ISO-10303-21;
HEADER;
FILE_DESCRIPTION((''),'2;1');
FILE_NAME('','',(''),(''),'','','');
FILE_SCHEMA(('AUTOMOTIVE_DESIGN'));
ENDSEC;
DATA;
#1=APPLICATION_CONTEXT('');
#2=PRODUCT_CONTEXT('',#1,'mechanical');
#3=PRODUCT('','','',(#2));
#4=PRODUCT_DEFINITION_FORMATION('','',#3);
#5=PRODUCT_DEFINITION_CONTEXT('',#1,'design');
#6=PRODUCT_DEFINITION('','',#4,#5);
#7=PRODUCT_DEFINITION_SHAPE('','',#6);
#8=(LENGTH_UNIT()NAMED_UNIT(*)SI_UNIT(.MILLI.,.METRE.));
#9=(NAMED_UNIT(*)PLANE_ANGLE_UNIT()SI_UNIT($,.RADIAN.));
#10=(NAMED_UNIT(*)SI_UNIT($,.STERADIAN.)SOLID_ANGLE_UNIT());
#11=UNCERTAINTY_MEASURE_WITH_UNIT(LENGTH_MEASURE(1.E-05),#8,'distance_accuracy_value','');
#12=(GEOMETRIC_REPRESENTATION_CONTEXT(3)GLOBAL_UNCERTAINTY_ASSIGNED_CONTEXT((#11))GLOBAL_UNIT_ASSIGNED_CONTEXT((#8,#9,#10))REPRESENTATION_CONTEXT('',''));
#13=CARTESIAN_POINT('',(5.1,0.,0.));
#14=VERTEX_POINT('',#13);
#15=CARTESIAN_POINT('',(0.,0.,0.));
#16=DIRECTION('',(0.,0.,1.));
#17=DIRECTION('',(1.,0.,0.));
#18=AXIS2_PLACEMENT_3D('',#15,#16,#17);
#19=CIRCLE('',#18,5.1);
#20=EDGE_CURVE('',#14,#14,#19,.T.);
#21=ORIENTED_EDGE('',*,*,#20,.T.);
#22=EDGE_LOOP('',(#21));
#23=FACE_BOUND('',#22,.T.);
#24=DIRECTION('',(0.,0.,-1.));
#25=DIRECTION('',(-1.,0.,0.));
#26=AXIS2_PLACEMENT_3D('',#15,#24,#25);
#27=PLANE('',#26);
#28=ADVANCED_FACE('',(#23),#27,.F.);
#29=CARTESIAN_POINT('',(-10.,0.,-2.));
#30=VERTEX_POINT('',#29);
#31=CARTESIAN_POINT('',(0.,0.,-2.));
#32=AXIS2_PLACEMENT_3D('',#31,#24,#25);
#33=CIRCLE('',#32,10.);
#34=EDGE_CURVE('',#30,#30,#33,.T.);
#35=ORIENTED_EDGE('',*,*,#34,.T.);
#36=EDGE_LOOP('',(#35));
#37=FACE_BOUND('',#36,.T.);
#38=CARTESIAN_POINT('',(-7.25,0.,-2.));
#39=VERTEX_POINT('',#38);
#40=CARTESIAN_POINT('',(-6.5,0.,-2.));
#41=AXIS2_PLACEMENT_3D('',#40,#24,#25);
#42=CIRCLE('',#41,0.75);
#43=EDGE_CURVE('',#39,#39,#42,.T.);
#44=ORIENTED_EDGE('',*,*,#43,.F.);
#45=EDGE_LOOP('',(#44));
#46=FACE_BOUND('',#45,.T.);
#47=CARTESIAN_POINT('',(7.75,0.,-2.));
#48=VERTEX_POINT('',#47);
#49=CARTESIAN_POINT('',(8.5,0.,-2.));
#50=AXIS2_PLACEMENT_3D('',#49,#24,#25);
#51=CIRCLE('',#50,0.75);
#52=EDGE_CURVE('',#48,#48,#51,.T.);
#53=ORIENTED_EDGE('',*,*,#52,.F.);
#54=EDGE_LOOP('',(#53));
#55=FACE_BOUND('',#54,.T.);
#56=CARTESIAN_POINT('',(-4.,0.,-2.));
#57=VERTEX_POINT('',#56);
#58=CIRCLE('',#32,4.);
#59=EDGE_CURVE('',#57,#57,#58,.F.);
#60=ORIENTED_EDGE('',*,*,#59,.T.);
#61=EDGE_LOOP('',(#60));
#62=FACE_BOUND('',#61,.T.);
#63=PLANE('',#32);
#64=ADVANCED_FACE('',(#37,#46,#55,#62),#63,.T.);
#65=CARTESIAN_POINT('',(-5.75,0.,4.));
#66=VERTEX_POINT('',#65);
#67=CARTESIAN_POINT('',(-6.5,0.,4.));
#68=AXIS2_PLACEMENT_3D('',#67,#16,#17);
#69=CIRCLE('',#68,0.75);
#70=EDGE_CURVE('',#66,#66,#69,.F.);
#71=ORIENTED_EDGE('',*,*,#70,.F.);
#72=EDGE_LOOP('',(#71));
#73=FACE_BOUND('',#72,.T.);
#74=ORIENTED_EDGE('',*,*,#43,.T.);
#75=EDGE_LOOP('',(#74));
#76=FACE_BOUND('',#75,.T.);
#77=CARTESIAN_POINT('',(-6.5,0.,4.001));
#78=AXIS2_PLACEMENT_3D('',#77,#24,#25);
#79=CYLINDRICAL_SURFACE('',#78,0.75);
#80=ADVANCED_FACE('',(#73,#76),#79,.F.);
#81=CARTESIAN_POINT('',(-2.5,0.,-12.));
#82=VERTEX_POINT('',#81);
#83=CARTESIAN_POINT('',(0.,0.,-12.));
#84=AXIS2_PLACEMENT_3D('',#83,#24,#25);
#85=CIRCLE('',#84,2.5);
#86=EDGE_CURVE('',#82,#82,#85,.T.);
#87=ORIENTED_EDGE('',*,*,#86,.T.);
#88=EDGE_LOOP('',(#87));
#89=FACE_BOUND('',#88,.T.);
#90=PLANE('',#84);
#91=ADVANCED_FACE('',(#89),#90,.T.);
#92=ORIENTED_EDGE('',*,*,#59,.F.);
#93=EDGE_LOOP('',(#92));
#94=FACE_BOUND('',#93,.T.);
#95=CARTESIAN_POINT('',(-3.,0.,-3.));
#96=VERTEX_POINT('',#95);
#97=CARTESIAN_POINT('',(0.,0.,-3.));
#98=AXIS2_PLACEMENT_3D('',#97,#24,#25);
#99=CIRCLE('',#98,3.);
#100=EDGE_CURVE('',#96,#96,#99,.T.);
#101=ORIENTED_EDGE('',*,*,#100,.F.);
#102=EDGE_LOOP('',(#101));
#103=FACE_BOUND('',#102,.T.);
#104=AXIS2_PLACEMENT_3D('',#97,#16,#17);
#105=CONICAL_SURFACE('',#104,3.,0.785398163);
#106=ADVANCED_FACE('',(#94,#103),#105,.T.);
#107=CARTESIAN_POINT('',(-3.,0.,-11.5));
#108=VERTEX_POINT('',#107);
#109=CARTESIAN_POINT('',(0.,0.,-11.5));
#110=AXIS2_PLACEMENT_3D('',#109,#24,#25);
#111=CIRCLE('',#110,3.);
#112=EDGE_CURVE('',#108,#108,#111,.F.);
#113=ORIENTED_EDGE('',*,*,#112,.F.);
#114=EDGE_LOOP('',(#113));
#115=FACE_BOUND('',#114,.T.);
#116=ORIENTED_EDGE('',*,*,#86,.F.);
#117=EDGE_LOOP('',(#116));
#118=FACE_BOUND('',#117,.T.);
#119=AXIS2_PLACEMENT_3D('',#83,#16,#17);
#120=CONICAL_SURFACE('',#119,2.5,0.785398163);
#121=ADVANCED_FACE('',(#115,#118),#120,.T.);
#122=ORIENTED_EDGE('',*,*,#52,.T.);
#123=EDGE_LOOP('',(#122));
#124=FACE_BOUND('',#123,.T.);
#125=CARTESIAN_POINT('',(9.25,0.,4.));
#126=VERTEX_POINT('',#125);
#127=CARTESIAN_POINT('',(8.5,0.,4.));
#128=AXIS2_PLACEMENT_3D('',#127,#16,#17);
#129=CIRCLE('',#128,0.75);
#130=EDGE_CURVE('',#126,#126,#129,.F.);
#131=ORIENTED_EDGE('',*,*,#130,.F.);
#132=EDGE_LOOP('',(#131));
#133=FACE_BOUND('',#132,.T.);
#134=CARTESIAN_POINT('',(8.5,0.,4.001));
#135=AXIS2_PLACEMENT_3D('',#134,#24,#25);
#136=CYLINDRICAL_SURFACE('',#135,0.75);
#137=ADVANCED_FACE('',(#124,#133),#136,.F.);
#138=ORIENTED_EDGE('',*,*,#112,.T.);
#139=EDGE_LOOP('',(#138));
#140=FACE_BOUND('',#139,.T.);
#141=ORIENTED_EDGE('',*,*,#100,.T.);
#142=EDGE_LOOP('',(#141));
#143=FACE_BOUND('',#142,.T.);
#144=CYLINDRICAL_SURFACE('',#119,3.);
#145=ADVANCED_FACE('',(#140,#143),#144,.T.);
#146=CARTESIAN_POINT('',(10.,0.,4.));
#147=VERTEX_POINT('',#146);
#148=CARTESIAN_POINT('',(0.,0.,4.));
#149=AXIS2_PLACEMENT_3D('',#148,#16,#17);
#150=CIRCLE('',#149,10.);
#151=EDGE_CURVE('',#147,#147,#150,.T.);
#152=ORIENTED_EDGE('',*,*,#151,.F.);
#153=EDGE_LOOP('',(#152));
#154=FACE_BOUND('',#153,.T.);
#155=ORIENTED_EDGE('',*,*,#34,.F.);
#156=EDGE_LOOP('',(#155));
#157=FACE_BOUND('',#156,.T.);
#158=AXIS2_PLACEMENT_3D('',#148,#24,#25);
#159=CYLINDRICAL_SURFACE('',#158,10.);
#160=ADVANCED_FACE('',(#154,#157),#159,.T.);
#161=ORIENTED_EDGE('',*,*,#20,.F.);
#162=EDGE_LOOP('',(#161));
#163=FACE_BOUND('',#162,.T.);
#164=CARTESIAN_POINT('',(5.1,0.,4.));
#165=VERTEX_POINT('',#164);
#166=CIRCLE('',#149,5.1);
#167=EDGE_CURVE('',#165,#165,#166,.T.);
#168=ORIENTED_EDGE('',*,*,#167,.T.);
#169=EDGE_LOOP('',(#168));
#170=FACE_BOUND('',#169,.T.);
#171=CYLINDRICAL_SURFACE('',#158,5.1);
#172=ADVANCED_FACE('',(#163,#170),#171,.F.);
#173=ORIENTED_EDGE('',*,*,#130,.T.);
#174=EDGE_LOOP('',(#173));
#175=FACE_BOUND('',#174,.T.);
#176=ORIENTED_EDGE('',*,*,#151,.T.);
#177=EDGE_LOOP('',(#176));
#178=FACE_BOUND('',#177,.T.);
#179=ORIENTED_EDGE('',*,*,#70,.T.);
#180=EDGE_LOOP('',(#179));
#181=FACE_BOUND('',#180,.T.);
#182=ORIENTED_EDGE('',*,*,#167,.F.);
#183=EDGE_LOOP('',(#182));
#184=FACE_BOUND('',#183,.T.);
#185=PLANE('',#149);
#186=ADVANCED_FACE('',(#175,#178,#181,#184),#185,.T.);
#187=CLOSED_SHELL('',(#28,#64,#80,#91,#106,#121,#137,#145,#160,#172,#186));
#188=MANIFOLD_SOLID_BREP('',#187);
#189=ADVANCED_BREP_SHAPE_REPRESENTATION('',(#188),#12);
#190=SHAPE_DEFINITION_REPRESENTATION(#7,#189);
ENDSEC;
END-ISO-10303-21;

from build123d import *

# Parameters (mm, degrees)
SKETCH1_R           = 10
SKETCH1_R_2         = 5.1
BOSS_EXTRUDE1_DEPTH = 4
SKETCH3_R           = 3
BOSS_EXTRUDE2_DEPTH = 12
SKETCH4_R           = 10
SKETCH4_R_2         = 3
BOSS_EXTRUDE3_DEPTH = 2
CHAMFER2_SIZE       = 1
CHAMFER4_SIZE       = 0.5
CUT_EXTRUDE1_REACH  = 8
SKETCH5_R           = 0.75


with BuildPart() as part:
    # Sketch1 → Boss-Extrude1 (new body)
    with BuildSketch(Plane.XY):
        Circle(SKETCH1_R)
        Circle(SKETCH1_R_2, mode=Mode.SUBTRACT)
    extrude(amount=BOSS_EXTRUDE1_DEPTH)



with BuildPart() as body_2:
    # Sketch3 → Boss-Extrude2 (new body)
    with BuildSketch(Plane(origin=(0, 0, 0), x_dir=(-1, 0, 0), z_dir=(0, 0, -1))):
        Circle(SKETCH3_R)
    extrude(amount=BOSS_EXTRUDE2_DEPTH)


with BuildPart() as part_1:
    add(part.part)

    add(body_2.part)  # Boss-Extrude3 merges body 2
    # Sketch4 → Boss-Extrude3 (add)
    with BuildSketch(Plane(origin=(0, 0, 0), x_dir=(-1, 0, 0), z_dir=(0, 0, -1))):
        Circle(SKETCH4_R)
        Circle(SKETCH4_R_2, mode=Mode.SUBTRACT)
    extrude(amount=BOSS_EXTRUDE3_DEPTH)

    # Chamfer2
    chamfer2_edges = [part_1.edges().sort_by_distance(p)[0] for p in [
        (3, 0, -2),
    ]]
    chamfer(chamfer2_edges, length=CHAMFER2_SIZE)

    # Chamfer4
    chamfer4_edges = [part_1.edges().sort_by_distance(p)[0] for p in [
        (3, 0, -12),
    ]]
    chamfer(chamfer4_edges, length=CHAMFER4_SIZE)

    # Sketch5 → Cut-Extrude1 (cut, up to next)
    with BuildSketch(Plane(origin=(0, 0, -2), x_dir=(-1, 0, 0), z_dir=(0, 0, -1)), mode=Mode.PRIVATE) as cut_extrude1_sk1:
        with Locations((-8.5, 0)):
            Circle(SKETCH5_R)
    cut_extrude1_tool1 = extrude(cut_extrude1_sk1.sketch, amount=-CUT_EXTRUDE1_REACH, mode=Mode.PRIVATE) & part_1.part
    add(cut_extrude1_tool1.solids().sort_by_distance((8.5, 0, -2))[0], mode=Mode.SUBTRACT)
    # Sketch5 → Cut-Extrude1 (cut, up to next)
    with BuildSketch(Plane(origin=(0, 0, -2), x_dir=(-1, 0, 0), z_dir=(0, 0, -1)), mode=Mode.PRIVATE) as cut_extrude1_sk2:
        with Locations((6.5, 0)):
            Circle(SKETCH5_R)
    cut_extrude1_tool2 = extrude(cut_extrude1_sk2.sketch, amount=-CUT_EXTRUDE1_REACH, mode=Mode.PRIVATE) & part_1.part
    add(cut_extrude1_tool2.solids().sort_by_distance((-6.5, 0, -2))[0], mode=Mode.SUBTRACT)


solid = part_1.part
